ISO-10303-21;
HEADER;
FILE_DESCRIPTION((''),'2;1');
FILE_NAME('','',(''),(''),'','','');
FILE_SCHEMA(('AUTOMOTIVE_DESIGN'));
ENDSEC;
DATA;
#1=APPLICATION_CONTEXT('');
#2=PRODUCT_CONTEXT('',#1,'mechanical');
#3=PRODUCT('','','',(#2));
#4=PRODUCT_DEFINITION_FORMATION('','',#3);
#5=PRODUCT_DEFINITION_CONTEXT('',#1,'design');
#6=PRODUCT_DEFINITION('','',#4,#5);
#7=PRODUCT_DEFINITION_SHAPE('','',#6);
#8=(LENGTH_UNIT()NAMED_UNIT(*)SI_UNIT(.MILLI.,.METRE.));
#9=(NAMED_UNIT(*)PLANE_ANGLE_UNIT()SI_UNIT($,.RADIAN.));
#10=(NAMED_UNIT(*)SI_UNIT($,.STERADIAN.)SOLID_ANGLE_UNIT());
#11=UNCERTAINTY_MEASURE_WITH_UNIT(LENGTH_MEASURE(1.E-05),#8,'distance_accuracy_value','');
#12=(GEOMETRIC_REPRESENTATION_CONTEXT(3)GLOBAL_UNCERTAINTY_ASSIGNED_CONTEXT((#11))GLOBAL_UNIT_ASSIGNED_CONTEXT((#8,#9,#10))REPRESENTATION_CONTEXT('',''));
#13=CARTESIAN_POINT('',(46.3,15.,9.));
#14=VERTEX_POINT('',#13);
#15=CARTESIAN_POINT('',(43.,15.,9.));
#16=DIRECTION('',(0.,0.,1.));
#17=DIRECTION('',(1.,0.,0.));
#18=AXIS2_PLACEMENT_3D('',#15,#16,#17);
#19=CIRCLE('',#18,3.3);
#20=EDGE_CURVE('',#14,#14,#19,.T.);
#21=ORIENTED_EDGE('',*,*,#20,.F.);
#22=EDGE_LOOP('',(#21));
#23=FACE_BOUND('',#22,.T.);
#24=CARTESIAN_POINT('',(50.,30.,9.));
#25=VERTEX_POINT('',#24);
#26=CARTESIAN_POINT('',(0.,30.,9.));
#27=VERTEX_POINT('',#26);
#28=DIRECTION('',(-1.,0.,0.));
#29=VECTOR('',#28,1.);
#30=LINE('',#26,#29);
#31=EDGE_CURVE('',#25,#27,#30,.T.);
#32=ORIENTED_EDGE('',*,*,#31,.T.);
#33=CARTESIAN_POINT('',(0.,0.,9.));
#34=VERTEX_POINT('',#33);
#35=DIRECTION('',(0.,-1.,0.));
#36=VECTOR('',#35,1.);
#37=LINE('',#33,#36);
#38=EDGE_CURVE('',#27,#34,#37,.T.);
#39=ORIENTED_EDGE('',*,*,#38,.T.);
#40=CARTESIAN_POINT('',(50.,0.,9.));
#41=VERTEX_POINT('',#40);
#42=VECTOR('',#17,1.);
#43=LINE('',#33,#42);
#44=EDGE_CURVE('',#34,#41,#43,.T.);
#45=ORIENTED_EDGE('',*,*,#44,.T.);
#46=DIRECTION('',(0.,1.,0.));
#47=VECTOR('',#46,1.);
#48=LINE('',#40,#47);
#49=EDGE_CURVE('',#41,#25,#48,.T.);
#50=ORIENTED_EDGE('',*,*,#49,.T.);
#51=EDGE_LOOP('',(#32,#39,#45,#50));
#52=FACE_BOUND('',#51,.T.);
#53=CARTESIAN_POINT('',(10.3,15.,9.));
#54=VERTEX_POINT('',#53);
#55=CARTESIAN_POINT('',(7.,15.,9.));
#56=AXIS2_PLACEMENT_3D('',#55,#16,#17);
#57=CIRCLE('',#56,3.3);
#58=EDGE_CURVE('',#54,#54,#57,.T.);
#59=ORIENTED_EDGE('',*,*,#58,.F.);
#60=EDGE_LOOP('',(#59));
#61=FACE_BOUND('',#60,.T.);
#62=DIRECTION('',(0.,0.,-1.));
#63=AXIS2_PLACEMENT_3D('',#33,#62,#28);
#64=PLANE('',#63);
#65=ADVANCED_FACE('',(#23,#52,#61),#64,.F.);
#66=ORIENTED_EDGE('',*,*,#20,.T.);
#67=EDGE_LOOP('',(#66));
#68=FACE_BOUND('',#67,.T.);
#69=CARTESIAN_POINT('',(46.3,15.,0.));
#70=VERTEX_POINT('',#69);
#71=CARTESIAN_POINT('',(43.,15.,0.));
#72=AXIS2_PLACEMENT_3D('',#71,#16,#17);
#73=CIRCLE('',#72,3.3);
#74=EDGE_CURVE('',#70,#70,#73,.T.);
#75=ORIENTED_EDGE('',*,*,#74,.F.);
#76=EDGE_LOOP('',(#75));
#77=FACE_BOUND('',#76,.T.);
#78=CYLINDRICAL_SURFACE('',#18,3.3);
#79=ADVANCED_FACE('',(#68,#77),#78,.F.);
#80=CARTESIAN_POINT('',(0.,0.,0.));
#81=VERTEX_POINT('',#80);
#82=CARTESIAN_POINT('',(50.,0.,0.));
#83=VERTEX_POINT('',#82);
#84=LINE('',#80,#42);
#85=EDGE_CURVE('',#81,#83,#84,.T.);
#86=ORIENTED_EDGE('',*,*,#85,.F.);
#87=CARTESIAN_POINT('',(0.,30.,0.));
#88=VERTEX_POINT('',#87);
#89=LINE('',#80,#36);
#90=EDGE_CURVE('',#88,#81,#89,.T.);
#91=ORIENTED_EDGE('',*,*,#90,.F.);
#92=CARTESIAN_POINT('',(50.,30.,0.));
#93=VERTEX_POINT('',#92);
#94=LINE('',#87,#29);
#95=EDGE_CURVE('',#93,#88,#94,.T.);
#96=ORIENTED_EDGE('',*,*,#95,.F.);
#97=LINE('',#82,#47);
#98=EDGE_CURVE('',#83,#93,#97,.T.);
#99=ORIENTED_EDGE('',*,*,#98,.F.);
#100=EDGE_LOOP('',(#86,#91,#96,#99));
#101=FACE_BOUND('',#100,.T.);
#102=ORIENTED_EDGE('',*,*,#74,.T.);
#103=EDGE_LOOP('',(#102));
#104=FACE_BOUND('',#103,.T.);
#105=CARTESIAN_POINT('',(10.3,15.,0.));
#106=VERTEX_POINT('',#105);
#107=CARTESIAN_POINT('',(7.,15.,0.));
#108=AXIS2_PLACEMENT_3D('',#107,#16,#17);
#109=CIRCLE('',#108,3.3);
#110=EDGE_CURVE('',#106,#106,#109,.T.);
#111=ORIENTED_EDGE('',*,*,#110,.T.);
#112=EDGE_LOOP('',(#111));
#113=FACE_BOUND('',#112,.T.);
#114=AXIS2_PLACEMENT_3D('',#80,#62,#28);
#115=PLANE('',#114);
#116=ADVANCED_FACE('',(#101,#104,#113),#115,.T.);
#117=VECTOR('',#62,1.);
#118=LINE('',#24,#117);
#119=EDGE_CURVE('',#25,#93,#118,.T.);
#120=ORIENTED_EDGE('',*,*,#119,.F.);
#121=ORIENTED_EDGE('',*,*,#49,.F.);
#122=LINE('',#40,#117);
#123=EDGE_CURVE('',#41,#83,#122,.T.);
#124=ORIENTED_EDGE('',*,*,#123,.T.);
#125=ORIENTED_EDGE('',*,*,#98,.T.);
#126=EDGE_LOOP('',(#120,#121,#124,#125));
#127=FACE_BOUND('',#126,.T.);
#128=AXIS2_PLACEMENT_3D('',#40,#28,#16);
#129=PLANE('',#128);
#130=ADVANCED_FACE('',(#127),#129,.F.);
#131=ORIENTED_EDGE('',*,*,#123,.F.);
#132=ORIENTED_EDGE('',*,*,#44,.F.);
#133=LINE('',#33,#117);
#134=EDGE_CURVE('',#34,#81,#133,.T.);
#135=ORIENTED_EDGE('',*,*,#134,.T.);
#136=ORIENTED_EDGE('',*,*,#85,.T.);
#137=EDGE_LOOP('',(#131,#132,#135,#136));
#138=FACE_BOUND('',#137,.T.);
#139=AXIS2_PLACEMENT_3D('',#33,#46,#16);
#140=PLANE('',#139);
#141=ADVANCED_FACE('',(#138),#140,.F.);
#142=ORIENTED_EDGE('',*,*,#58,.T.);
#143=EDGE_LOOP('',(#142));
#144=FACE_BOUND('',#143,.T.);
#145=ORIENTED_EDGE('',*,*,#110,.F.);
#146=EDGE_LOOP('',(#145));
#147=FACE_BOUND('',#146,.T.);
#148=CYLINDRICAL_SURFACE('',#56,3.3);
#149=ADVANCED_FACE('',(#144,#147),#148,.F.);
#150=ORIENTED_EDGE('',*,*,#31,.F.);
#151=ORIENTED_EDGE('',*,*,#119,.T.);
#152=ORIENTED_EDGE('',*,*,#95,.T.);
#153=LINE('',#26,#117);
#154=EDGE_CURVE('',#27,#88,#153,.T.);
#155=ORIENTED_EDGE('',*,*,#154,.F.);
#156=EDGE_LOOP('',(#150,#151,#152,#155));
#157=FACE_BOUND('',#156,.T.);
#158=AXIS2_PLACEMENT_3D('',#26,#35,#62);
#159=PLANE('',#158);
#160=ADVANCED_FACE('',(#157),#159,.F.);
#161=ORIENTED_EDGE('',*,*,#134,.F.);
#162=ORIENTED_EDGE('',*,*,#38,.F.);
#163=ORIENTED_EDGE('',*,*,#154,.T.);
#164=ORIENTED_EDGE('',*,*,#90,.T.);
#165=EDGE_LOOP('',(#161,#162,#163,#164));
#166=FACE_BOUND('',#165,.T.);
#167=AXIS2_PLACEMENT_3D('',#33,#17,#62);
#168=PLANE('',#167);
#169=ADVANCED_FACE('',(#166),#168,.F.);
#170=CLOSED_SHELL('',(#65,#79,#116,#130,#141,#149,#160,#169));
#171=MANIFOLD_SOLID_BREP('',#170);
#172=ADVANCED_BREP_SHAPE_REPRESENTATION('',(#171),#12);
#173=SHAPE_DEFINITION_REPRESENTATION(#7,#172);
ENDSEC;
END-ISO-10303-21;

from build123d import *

# Parameters (mm, degrees)
SKETCH2_W            = 50
SKETCH2_H            = 30
BASE_DEPTH           = 9
M6_CLEARANCE_HOLE1_D = 6.6


with BuildPart() as part:
    # Sketch2 → base (new body)
    with BuildSketch(Plane.XY):
        with Locations((25, 15)):
            Rectangle(SKETCH2_W, SKETCH2_H)
    extrude(amount=BASE_DEPTH)

    # M6 Clearance Hole1 (through all)
    with Locations(Plane.XY.offset(9)):
        with Locations((7, 15), (43, 15)):
            Hole(M6_CLEARANCE_HOLE1_D / 2)


solid = part.part
